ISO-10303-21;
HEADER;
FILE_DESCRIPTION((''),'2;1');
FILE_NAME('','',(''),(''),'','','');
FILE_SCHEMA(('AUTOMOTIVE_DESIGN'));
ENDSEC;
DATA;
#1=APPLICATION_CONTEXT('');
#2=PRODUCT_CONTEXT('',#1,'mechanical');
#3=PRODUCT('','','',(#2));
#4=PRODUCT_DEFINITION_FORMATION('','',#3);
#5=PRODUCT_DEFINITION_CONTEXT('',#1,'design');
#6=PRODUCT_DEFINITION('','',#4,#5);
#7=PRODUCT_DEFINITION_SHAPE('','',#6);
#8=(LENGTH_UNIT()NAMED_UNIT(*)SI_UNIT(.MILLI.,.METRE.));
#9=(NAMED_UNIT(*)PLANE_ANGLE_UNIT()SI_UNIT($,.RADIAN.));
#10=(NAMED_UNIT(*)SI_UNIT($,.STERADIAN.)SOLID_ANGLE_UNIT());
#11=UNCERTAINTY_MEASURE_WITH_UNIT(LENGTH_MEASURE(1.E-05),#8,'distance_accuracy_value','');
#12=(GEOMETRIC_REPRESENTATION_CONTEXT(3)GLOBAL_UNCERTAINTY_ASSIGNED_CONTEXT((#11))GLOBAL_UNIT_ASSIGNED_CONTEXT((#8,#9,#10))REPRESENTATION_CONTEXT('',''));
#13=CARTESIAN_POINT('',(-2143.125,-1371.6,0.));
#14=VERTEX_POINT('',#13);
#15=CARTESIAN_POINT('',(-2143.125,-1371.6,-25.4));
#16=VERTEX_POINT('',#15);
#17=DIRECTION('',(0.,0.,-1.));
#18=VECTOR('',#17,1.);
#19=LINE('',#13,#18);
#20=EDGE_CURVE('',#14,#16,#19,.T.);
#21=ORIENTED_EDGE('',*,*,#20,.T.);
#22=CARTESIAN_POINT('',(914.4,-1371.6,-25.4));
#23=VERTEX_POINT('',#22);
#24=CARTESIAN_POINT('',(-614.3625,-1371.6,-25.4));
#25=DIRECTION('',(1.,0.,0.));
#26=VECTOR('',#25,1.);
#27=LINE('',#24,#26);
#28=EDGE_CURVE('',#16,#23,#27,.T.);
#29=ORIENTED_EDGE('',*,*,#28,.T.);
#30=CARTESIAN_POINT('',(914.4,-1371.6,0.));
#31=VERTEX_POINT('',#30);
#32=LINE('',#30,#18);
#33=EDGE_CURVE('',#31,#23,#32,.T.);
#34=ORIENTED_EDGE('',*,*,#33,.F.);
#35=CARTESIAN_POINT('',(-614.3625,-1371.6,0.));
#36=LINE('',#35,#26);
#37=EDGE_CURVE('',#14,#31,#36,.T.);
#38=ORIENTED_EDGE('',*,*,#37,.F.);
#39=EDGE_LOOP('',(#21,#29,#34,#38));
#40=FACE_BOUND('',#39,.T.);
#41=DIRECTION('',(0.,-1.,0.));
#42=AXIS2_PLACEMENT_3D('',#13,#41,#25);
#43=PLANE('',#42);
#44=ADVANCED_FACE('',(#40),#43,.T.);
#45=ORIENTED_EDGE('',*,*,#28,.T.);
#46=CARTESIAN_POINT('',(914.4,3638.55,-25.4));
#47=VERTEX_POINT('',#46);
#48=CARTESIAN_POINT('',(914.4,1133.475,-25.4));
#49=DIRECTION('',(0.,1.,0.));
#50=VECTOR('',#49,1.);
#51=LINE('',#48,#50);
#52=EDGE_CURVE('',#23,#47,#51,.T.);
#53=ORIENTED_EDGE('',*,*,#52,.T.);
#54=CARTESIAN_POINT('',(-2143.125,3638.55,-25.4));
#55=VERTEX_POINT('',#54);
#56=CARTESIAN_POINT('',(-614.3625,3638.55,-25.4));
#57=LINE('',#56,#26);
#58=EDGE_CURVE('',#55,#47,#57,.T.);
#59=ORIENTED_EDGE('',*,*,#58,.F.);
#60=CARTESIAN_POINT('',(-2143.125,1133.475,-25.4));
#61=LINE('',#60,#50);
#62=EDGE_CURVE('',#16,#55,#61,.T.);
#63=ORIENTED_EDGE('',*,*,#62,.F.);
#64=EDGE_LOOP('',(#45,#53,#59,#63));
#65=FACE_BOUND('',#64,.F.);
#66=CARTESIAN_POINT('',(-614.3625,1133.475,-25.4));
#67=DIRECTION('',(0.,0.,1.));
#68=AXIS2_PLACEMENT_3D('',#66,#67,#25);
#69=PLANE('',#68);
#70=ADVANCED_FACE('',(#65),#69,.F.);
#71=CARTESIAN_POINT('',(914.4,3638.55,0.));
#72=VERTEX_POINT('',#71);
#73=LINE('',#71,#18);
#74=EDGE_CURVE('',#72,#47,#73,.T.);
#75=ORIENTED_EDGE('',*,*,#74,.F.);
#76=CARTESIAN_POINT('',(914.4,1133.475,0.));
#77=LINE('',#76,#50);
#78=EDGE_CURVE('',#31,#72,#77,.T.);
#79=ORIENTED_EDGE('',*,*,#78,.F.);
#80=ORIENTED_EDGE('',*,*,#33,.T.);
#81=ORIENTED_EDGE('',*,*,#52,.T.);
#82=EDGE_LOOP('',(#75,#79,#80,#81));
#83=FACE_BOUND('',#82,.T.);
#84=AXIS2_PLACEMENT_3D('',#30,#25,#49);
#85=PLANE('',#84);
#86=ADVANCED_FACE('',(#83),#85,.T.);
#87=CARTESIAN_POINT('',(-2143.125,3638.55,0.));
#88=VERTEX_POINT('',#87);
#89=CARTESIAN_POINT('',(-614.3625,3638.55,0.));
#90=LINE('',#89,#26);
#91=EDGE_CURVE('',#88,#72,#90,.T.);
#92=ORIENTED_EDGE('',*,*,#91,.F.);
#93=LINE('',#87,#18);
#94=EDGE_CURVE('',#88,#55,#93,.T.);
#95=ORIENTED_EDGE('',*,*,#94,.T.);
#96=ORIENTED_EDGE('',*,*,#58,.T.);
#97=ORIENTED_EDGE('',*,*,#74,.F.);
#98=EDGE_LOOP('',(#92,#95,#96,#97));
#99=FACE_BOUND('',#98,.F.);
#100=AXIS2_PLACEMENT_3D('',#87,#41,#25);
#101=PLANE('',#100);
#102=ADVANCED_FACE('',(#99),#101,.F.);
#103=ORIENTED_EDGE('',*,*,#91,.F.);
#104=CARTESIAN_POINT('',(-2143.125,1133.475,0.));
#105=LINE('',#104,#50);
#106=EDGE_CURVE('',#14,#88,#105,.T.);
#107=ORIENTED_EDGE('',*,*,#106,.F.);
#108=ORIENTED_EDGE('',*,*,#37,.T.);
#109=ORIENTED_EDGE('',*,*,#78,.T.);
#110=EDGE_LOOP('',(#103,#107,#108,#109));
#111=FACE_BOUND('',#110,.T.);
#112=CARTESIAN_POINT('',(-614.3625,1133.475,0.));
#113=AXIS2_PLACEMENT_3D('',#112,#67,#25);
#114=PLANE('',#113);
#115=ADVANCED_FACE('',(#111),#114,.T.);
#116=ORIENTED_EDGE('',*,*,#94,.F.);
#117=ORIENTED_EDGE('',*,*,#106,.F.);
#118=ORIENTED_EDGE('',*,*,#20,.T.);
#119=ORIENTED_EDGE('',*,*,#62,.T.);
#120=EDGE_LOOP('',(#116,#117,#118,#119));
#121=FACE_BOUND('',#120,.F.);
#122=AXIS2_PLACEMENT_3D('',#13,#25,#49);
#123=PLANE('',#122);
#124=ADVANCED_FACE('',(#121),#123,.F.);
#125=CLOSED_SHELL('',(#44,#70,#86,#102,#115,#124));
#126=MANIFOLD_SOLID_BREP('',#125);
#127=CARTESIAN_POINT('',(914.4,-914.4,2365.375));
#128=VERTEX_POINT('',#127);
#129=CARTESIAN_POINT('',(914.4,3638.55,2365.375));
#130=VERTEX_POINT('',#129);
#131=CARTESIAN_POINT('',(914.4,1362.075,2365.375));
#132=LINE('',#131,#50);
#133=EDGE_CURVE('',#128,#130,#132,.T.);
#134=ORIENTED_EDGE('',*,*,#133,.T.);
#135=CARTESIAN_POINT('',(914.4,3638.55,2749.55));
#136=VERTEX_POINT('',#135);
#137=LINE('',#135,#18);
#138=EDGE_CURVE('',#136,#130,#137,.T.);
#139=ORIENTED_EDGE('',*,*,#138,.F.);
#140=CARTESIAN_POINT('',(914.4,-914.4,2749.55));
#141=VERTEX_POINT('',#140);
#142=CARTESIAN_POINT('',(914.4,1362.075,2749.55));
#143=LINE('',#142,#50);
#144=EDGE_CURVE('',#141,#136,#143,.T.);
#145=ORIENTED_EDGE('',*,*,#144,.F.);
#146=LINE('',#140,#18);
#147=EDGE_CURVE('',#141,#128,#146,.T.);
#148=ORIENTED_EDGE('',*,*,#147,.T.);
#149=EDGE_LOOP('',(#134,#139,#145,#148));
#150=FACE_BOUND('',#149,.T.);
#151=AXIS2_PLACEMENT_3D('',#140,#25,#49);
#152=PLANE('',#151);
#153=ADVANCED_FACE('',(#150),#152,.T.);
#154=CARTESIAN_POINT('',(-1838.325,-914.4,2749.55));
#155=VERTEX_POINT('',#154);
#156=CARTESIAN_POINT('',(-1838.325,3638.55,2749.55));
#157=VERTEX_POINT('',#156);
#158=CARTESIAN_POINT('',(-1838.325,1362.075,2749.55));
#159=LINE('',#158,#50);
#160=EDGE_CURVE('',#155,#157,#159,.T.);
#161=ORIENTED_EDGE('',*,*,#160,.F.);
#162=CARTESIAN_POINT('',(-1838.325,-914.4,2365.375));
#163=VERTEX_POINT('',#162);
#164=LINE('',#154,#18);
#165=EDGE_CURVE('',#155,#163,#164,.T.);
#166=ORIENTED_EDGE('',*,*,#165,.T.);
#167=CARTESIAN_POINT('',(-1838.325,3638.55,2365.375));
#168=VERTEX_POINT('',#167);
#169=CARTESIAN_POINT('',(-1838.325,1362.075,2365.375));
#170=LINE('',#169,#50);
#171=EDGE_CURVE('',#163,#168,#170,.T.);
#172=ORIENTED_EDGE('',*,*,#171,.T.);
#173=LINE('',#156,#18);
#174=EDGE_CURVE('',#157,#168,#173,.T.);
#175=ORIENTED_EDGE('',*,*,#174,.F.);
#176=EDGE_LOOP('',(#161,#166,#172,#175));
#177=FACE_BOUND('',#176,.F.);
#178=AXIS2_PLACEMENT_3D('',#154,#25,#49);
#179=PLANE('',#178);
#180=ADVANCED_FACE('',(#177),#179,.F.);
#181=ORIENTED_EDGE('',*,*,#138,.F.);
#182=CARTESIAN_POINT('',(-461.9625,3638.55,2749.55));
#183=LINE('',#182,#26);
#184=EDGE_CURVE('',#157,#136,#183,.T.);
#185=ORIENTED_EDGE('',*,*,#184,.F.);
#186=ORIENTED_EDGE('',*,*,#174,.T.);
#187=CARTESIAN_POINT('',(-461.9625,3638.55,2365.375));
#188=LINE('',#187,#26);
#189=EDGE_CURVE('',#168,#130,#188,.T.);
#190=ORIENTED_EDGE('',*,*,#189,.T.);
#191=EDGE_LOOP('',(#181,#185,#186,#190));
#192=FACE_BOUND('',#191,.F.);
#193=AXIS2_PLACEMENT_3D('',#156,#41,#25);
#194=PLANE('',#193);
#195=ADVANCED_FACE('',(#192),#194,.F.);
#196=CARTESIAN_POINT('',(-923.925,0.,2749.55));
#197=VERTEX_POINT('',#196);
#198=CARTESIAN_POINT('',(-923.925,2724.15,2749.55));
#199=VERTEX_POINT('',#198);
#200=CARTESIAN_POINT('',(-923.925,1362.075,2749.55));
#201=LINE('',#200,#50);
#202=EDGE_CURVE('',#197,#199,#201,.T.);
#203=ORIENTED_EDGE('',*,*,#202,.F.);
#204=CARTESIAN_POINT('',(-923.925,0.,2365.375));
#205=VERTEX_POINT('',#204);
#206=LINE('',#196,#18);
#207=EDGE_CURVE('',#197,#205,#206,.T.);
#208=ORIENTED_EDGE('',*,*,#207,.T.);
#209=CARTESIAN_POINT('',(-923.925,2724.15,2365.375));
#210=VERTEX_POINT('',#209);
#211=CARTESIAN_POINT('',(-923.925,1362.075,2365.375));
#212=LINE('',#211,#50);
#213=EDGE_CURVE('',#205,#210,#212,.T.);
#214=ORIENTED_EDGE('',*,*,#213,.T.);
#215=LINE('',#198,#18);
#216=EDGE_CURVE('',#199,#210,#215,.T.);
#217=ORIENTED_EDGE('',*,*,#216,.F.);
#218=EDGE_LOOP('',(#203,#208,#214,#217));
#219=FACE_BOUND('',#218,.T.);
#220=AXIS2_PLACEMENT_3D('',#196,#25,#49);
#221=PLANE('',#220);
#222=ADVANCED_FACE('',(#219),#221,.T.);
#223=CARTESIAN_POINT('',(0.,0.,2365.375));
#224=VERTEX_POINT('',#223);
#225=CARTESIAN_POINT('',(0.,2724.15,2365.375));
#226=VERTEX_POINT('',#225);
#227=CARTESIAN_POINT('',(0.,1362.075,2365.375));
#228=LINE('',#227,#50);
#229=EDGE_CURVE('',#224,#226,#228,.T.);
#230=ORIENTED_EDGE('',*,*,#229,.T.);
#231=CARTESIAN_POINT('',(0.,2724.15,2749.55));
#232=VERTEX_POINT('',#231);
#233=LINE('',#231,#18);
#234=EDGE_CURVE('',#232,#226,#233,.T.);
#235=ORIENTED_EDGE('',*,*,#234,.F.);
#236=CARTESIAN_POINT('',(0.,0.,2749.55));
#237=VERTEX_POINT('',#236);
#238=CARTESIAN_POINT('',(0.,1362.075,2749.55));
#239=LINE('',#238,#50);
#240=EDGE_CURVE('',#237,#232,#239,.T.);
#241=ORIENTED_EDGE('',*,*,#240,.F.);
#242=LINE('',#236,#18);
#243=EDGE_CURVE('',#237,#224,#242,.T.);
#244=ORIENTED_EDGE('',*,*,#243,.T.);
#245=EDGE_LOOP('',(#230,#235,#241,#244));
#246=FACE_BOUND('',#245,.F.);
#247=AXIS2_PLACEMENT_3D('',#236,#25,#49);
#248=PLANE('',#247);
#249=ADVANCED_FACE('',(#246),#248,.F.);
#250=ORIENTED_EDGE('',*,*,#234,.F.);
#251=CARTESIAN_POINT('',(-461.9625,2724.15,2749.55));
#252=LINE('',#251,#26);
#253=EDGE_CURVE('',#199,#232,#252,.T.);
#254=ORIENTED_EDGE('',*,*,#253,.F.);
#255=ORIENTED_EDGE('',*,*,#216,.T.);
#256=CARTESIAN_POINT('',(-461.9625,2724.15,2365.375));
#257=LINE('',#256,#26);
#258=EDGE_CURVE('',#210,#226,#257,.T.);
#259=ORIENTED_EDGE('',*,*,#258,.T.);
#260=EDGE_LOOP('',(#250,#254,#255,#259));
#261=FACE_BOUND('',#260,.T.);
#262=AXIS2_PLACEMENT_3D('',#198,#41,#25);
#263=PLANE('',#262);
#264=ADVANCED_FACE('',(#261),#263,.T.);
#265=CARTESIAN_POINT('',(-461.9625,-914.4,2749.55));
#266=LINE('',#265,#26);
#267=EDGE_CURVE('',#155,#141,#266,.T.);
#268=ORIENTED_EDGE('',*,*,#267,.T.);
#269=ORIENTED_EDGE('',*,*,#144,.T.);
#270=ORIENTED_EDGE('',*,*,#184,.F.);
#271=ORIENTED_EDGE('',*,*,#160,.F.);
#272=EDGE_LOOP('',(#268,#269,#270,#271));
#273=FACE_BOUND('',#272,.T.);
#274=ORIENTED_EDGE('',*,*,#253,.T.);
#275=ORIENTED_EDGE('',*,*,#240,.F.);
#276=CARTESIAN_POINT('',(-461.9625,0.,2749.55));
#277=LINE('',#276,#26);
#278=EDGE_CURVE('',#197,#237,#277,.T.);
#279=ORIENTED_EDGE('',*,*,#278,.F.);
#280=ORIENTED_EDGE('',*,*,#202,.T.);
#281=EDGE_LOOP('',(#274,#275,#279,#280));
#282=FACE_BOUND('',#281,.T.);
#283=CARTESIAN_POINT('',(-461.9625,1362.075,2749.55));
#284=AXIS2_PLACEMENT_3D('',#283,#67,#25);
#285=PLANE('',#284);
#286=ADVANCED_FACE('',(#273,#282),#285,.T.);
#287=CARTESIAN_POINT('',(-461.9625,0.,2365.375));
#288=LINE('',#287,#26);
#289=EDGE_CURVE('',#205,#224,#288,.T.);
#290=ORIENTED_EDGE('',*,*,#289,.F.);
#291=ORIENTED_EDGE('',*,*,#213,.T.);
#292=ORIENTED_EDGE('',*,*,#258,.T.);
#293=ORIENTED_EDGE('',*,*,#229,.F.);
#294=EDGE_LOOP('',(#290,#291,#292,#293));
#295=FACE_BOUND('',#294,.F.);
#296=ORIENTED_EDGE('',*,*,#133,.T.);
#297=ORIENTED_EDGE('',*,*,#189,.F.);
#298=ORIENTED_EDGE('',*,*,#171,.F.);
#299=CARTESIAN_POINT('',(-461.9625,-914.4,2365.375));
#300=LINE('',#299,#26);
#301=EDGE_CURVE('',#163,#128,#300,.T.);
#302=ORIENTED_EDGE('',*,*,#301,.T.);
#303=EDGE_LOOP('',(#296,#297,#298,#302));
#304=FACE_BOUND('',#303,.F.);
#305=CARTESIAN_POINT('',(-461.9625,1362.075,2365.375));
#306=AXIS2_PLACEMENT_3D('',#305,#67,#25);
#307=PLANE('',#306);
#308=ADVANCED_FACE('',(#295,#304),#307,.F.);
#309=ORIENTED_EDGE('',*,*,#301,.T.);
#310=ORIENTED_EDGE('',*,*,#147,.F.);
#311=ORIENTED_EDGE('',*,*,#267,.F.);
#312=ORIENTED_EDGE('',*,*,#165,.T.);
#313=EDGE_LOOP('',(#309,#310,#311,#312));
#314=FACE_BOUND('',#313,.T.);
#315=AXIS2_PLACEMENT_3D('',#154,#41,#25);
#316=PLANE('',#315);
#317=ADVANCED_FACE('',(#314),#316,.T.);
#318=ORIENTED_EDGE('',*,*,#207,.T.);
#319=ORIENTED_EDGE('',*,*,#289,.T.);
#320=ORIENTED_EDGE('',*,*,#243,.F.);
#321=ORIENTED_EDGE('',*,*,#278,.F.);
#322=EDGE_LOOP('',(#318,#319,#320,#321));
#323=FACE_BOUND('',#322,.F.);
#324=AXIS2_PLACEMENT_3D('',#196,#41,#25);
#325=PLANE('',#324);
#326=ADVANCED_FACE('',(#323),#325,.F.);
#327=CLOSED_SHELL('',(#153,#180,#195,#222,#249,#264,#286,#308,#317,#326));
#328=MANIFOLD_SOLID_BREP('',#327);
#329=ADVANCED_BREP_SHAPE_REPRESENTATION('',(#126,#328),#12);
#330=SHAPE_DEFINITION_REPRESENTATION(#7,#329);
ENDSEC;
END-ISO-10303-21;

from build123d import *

# Parameters (mm, degrees)
F1_W     = 2752.725
F1_H     = 4552.95
F1_W_2   = 923.925
F1_H_2   = 2724.15
F2_DEPTH = 384.175
F3_W     = 3057.525
F3_H     = 5010.15
F4_DEPTH = 25.4


with BuildPart() as f2:
    # F1 (on offset) → F2 (new body)
    with BuildSketch(Plane.XY.offset(2749.55)):
        with Locations((-461.9625, 1362.075)):
            Rectangle(F1_W, F1_H)
        with Locations((-461.9625, 1362.075)):
            Rectangle(F1_W_2, F1_H_2, mode=Mode.SUBTRACT)
    extrude(amount=-F2_DEPTH)


with BuildPart() as f4:
    # F3 (on Top) → F4 (new body)
    with BuildSketch(Plane.XY):
        with Locations((-614.3625, 1133.475)):
            Rectangle(F3_W, F3_H)
    extrude(amount=-F4_DEPTH)


solid = Compound([f2.part, f4.part])
